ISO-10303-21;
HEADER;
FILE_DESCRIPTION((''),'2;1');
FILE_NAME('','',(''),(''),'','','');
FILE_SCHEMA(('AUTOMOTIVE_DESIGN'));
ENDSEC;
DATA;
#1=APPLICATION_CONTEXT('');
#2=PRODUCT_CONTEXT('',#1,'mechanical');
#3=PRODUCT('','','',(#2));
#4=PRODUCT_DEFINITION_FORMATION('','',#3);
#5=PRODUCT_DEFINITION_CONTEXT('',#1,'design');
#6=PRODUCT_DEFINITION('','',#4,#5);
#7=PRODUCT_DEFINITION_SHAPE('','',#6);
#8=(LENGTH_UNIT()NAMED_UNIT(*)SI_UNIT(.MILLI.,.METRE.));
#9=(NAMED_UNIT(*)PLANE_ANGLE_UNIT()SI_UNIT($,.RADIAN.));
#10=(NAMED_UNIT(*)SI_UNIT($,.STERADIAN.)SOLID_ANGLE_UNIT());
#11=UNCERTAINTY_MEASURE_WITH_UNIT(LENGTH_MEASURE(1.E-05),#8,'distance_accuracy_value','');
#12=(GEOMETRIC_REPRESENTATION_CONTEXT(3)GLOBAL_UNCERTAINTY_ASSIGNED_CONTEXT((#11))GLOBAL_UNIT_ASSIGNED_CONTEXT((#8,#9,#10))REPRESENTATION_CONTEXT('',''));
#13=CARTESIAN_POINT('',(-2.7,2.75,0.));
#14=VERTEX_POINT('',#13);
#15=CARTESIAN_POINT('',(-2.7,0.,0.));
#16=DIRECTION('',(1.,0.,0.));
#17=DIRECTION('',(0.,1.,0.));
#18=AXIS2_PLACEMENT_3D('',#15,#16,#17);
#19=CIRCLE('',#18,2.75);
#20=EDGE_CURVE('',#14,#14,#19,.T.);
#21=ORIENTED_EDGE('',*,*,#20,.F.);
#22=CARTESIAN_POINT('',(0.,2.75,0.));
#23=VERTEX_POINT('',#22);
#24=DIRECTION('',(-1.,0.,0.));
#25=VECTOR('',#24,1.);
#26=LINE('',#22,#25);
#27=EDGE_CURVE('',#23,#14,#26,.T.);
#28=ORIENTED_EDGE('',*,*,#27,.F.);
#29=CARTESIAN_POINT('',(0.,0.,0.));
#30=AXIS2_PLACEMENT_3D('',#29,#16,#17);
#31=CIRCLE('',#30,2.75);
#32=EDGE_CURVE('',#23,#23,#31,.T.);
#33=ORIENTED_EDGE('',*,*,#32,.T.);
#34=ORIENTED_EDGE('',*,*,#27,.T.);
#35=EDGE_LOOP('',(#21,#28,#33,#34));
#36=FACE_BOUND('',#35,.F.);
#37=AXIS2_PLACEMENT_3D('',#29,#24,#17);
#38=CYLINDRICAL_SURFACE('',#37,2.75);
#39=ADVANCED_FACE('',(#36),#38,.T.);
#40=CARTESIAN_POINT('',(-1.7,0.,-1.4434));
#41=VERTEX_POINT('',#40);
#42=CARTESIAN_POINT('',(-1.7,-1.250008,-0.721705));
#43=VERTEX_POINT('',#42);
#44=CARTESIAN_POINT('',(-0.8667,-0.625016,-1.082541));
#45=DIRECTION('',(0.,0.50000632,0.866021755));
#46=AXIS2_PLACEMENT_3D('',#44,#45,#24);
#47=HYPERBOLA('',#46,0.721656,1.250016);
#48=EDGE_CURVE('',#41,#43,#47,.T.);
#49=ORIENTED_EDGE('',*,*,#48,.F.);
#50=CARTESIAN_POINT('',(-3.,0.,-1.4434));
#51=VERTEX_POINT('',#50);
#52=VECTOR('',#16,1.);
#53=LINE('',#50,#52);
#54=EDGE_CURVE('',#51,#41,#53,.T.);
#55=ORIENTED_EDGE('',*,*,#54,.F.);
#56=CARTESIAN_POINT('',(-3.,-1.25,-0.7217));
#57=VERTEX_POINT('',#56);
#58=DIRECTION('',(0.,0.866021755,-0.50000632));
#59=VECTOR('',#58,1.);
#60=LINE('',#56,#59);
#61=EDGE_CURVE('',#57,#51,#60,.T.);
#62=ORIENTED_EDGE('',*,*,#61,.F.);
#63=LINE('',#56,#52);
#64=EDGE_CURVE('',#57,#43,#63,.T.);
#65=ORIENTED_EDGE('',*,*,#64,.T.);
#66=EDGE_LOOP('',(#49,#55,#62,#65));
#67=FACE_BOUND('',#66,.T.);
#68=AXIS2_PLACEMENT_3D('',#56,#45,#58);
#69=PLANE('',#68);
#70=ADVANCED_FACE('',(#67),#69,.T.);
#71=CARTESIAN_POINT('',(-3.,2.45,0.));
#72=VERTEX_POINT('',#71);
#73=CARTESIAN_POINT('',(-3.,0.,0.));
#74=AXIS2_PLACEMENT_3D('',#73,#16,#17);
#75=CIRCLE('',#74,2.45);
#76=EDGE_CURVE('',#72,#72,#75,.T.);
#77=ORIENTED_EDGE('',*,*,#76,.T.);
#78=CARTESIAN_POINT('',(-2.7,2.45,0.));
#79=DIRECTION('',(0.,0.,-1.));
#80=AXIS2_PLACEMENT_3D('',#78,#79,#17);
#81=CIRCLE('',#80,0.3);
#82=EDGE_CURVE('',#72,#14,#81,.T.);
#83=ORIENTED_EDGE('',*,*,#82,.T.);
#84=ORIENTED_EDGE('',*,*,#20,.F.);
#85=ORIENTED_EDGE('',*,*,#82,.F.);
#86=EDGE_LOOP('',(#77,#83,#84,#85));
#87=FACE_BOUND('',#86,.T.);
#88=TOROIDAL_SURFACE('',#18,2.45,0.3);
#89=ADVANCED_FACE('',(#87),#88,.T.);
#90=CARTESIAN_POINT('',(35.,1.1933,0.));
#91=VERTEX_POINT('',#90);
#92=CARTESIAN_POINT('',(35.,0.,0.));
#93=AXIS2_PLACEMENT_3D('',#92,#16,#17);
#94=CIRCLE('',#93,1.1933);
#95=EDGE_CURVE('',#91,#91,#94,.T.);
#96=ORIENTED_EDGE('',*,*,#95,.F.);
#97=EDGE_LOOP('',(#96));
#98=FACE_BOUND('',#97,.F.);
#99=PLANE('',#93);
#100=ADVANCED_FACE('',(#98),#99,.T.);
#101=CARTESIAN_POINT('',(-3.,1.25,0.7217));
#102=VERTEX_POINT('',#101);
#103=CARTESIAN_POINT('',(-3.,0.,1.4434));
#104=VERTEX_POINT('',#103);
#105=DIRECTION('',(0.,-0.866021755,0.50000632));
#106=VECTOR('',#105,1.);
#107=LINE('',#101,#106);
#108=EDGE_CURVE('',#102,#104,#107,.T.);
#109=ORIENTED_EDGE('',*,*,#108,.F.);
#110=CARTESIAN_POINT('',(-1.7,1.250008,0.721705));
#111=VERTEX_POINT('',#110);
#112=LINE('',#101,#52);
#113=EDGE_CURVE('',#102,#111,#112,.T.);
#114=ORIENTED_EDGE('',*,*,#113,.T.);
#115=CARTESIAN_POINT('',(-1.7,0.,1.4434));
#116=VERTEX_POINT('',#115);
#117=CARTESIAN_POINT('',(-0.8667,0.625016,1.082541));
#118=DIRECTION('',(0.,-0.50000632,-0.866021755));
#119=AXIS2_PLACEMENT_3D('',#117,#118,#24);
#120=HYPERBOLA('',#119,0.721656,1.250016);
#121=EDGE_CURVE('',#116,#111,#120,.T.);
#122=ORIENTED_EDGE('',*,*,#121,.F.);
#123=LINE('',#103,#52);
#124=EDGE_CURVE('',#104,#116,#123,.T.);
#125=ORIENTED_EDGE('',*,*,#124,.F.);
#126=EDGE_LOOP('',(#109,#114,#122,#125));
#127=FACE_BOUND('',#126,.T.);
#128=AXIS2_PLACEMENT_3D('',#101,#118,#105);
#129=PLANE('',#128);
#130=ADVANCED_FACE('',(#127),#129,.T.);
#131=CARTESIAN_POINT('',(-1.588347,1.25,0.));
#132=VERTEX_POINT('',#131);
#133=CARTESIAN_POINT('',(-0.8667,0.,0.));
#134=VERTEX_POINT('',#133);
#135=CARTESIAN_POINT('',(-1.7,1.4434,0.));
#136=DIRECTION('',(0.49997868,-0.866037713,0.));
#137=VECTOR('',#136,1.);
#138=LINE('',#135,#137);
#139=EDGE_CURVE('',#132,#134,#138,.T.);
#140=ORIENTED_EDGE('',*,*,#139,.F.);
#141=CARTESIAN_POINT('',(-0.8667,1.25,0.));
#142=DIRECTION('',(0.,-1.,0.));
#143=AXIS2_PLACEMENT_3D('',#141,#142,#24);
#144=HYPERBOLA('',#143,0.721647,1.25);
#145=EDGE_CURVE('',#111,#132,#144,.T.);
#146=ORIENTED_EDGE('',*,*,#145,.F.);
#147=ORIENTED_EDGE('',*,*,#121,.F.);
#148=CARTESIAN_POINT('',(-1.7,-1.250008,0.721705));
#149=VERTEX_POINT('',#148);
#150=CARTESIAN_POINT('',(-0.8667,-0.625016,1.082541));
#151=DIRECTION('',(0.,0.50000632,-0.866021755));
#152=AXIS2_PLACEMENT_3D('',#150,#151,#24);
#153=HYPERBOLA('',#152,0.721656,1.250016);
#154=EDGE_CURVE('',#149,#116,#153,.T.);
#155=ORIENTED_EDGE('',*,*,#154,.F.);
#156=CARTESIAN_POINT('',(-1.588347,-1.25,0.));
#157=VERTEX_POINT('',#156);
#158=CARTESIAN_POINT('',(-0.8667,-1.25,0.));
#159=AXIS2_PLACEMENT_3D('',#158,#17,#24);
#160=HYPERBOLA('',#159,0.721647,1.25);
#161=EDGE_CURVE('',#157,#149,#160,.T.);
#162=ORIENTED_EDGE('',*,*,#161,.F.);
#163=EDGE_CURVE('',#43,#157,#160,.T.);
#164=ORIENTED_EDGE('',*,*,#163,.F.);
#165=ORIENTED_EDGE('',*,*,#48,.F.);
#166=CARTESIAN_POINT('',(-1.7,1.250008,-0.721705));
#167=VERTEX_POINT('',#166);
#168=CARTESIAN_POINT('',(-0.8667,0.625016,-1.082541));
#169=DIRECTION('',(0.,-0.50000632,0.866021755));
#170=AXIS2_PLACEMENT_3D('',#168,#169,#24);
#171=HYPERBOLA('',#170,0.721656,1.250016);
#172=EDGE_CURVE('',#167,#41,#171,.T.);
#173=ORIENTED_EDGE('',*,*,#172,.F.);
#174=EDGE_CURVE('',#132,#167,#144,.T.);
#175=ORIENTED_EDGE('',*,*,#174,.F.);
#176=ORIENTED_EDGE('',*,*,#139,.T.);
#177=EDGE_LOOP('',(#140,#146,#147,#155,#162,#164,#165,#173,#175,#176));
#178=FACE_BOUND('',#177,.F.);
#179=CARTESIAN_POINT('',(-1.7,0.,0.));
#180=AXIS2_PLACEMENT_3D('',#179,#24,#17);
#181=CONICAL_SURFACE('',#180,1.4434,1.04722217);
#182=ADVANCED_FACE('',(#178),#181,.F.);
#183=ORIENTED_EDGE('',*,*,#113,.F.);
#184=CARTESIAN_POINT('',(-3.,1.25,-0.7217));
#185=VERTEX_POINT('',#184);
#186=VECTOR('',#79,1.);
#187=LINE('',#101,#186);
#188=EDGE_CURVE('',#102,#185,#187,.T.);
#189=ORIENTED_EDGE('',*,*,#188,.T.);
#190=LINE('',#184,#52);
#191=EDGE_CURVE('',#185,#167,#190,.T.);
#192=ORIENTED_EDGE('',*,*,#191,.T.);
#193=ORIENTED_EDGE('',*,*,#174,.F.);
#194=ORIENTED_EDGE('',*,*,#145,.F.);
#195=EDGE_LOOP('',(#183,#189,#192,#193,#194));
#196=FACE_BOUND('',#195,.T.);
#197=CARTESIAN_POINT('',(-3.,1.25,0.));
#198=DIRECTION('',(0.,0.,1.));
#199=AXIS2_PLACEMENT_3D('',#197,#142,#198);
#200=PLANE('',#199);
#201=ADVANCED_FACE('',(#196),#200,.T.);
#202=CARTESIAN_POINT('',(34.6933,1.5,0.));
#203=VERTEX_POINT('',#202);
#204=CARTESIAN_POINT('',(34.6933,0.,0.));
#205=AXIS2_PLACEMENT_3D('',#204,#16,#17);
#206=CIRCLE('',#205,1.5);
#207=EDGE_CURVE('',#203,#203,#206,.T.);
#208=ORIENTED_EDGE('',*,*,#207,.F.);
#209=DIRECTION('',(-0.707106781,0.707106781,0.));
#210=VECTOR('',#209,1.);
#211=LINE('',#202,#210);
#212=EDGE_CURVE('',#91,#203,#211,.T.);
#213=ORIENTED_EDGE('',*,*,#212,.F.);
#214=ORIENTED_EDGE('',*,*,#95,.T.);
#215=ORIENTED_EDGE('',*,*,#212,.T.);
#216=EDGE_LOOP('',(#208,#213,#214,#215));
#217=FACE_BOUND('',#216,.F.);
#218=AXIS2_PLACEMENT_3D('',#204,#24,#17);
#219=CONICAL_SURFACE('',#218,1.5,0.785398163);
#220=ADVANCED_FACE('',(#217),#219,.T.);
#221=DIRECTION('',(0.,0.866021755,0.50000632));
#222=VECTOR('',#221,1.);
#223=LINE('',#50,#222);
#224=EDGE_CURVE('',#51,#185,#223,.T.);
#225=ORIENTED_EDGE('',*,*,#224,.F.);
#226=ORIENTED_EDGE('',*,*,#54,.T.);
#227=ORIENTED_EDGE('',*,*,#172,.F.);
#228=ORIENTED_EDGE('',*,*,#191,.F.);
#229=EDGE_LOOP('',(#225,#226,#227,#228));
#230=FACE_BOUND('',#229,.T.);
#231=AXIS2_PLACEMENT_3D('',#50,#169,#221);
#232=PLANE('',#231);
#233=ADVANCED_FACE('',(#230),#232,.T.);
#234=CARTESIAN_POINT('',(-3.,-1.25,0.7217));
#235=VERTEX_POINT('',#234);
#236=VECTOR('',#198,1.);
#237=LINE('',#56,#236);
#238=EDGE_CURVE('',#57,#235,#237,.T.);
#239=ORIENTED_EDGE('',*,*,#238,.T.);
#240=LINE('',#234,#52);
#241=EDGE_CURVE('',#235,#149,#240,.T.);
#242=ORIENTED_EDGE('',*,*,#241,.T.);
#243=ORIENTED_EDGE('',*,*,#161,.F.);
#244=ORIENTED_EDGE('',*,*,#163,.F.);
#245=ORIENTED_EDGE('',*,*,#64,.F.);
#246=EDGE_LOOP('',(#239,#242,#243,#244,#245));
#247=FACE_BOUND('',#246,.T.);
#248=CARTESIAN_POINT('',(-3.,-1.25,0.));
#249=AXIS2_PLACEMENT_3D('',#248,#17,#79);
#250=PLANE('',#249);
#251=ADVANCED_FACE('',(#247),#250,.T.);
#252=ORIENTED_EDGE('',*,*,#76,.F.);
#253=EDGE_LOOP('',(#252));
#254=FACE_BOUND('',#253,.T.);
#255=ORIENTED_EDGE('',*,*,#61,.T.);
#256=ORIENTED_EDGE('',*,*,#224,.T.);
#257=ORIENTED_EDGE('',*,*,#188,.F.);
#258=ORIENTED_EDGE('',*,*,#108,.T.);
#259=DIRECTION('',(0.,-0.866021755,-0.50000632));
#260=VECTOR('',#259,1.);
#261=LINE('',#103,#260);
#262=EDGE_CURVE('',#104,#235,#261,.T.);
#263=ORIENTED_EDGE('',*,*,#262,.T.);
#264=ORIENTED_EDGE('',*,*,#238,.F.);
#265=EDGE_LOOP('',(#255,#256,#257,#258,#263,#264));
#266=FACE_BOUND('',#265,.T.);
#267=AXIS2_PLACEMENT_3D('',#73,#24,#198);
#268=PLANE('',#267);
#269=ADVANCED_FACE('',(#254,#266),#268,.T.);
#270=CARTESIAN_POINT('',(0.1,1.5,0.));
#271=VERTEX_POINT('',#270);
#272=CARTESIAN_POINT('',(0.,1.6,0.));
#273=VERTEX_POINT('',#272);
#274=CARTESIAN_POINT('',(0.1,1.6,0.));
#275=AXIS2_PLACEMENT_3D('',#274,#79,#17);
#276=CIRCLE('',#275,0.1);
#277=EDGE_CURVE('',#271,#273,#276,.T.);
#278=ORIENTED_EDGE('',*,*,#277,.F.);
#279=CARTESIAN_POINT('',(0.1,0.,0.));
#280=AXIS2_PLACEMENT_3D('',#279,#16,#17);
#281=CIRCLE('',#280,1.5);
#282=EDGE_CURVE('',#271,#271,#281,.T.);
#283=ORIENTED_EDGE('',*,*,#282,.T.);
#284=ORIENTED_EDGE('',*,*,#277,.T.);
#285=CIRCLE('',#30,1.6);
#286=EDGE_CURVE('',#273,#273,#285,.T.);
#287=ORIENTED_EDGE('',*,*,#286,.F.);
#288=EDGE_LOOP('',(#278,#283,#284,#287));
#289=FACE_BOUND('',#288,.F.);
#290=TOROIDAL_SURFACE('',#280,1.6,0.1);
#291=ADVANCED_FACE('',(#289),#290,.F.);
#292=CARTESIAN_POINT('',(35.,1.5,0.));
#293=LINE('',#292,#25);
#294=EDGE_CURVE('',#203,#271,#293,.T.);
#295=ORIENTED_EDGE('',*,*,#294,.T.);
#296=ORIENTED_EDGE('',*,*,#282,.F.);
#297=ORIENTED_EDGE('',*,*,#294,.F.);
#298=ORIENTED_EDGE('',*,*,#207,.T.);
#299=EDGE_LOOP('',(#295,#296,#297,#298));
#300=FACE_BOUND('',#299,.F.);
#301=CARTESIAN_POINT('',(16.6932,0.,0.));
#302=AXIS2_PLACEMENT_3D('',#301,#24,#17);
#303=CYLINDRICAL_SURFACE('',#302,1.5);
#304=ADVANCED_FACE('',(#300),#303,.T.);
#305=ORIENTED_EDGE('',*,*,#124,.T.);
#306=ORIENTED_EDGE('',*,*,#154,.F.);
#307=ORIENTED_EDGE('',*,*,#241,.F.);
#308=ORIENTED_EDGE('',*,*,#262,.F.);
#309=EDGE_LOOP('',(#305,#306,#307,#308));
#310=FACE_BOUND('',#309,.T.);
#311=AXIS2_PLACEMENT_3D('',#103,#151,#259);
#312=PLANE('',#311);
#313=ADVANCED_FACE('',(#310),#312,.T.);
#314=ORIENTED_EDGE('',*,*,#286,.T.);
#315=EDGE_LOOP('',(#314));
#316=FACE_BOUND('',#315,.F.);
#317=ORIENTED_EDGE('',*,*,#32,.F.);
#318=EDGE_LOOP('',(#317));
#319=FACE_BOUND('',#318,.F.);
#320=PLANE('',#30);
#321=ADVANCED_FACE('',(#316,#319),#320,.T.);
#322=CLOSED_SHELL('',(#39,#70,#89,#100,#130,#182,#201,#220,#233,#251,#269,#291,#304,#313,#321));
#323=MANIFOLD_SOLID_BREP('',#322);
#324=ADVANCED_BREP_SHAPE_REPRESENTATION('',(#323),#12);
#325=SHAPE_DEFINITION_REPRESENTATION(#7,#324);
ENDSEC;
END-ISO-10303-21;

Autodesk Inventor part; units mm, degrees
ref_plane "YZ Plane" through (0, 0, 0) normal (1, 0, 0) x (0, 1, 0)
ref_plane "XZ Plane" through (0, 0, 0) normal (0, 1, 0) x (-1, 0, 0)
sketch "Sketch1" plane through (0, 0, 0) normal (0, 0, 1) x (1, 0, 0)
  line L0 (-0.8667, 0) -> (35, 0)
  line L1 (35, 0) -> (35, 1.5)
  line L2 (35, 1.5) -> (17, 1.5)
  line L3 (17, 1.5) -> (16.6932, 1.5)
  line L4 (16.6932, 1.5) -> (0, 1.5)
  line L5 (0, 1.5) -> (0, 2.75)
  line L6 (0, 2.75) -> (-3, 2.75)
  line L7 (-3, 2.75) -> (-3, 1.4434)
  line L8 (-3, 1.4434) -> (-1.7, 1.4434)
  line L9 (-1.7, 1.4434) -> (-0.8667, 0)
  line L10 (-9.6, 0) -> (36.6, 0) projected
  line L11 (0, -0.55) -> (0, 3.3) projected
  line L12 (17, 1.5) -> (0, 1.5) construction
  dimension "d1" = 18
  dimension "d2" = 0.3068
  dimension "d3" = 3
  dimension "d4" = 1.3
  dimension "d5" = 60
  dimension "d6" = 3
  dimension "d7" = 3
  dimension "d8" = 2.8868
  dimension "d9" = 5.5
  dimension "d26" = 35
revolve "Body" add sketch "Sketch1" angle 360 about axis through (-0.8667, 0, 0) along (1, 0, 0)
sketch "Sketch2" plane through (-3, 0, 0) normal (-1, 0, 0) x (0, 0, 1)
  circle A0 centre (0, 0) radius 1.4434 projected
  line L0 (0, -3.85) -> (0, 3.85) projected
  line L1 (-3.85, 0) -> (3.85, 0) projected
  line L2 (1.4434, 0) -> (0.7217, -1.25)
  line L3 (0.7217, -1.25) -> (-0.7217, -1.25)
  line L4 (-0.7217, -1.25) -> (-1.4434, 0)
  line L5 (-1.4434, 0) -> (-0.7217, 1.25)
  line L6 (-0.7217, 1.25) -> (0.7217, 1.25)
  line L7 (0.7217, 1.25) -> (1.4434, 0)
extrude "Slot" add sketch "Sketch2" against normal up to next contours L7 A0 | A0 L2 | L6 L0 A0 | A0 L0 L3 | L0 L6 A0 | A0 L3 L0 | L4 A0 | A0 L5
fillet "Fillet1" radius 0.3 1 edges at (-3, -2.75, 0)
thread "Thread" size "M3x0.5" designation "M3" class "6g" standard "ISO Metric profile" length 18
chamfer "Chamfer1" distance 0.3067 distance2 0.3067 1 edges at (35, -1.5, 0) measured on face at (35, -0.8773, -0.3972)
ref_plane "Work Plane1" through (29, 0, 0) normal (0, -1, 0) x (1, 0, 0)
fillet "Fillet2" radius 0.1 1 edges at (0, -1.5, 0)
equation "\"d1\" = GEL"
equation "\"d3\" = KOH"
equation "\"d4\" = INTI"
equation "\"d6\" = GD"
equation "\"d7\" = BDM"
equation "\"d8\" = 1.1547 * SW"
equation "\"d9\" = KOD"
equation "\"d26\" = NLG"
equation "\"d30\" = R"
equation "\"d17\" = RR"
equation "\"d13\" = GEL"
equation "\"d15\" = -0.5 * SPD + 0.5 * GD"
equation "\"d16\" = GUL"
equation "\"GD\" = 3"
equation "\"NLG\" = 35"
equation "\"GEL\" = 18"
equation "\"KOD\" = 5.5"
equation "\"KOH\" = 3"
equation "\"INTI\" = 1.3"
equation "\"GAL\" = 0.61345 * PTC"
equation "\"GUL\" = 0.61345 * PTC"
equation "\"BDM\" = NND"
equation "\"SW\" = 2.5"
equation "\"RR\" = 0.3"
equation "\"SPD\" = NND - 1.2269 * PTC"
equation "\"R\" = 0.1"
equation "\"TOA\" = 30deg"
equation "\"GD1\" = THREADDIA - 1.2269 * PTC"
equation "\"THREADDIA\" = 3"
equation "\"FAWI\" = 45deg"
equation "\"PTC\" = 0.5"
equation "\"NND\" = 3"
equation "\"E0\" = 1.155 * SW"
properties part number "ISO 4762 - M3 x 35DIN EN ISO" material "Stainless Steel, 440C"
